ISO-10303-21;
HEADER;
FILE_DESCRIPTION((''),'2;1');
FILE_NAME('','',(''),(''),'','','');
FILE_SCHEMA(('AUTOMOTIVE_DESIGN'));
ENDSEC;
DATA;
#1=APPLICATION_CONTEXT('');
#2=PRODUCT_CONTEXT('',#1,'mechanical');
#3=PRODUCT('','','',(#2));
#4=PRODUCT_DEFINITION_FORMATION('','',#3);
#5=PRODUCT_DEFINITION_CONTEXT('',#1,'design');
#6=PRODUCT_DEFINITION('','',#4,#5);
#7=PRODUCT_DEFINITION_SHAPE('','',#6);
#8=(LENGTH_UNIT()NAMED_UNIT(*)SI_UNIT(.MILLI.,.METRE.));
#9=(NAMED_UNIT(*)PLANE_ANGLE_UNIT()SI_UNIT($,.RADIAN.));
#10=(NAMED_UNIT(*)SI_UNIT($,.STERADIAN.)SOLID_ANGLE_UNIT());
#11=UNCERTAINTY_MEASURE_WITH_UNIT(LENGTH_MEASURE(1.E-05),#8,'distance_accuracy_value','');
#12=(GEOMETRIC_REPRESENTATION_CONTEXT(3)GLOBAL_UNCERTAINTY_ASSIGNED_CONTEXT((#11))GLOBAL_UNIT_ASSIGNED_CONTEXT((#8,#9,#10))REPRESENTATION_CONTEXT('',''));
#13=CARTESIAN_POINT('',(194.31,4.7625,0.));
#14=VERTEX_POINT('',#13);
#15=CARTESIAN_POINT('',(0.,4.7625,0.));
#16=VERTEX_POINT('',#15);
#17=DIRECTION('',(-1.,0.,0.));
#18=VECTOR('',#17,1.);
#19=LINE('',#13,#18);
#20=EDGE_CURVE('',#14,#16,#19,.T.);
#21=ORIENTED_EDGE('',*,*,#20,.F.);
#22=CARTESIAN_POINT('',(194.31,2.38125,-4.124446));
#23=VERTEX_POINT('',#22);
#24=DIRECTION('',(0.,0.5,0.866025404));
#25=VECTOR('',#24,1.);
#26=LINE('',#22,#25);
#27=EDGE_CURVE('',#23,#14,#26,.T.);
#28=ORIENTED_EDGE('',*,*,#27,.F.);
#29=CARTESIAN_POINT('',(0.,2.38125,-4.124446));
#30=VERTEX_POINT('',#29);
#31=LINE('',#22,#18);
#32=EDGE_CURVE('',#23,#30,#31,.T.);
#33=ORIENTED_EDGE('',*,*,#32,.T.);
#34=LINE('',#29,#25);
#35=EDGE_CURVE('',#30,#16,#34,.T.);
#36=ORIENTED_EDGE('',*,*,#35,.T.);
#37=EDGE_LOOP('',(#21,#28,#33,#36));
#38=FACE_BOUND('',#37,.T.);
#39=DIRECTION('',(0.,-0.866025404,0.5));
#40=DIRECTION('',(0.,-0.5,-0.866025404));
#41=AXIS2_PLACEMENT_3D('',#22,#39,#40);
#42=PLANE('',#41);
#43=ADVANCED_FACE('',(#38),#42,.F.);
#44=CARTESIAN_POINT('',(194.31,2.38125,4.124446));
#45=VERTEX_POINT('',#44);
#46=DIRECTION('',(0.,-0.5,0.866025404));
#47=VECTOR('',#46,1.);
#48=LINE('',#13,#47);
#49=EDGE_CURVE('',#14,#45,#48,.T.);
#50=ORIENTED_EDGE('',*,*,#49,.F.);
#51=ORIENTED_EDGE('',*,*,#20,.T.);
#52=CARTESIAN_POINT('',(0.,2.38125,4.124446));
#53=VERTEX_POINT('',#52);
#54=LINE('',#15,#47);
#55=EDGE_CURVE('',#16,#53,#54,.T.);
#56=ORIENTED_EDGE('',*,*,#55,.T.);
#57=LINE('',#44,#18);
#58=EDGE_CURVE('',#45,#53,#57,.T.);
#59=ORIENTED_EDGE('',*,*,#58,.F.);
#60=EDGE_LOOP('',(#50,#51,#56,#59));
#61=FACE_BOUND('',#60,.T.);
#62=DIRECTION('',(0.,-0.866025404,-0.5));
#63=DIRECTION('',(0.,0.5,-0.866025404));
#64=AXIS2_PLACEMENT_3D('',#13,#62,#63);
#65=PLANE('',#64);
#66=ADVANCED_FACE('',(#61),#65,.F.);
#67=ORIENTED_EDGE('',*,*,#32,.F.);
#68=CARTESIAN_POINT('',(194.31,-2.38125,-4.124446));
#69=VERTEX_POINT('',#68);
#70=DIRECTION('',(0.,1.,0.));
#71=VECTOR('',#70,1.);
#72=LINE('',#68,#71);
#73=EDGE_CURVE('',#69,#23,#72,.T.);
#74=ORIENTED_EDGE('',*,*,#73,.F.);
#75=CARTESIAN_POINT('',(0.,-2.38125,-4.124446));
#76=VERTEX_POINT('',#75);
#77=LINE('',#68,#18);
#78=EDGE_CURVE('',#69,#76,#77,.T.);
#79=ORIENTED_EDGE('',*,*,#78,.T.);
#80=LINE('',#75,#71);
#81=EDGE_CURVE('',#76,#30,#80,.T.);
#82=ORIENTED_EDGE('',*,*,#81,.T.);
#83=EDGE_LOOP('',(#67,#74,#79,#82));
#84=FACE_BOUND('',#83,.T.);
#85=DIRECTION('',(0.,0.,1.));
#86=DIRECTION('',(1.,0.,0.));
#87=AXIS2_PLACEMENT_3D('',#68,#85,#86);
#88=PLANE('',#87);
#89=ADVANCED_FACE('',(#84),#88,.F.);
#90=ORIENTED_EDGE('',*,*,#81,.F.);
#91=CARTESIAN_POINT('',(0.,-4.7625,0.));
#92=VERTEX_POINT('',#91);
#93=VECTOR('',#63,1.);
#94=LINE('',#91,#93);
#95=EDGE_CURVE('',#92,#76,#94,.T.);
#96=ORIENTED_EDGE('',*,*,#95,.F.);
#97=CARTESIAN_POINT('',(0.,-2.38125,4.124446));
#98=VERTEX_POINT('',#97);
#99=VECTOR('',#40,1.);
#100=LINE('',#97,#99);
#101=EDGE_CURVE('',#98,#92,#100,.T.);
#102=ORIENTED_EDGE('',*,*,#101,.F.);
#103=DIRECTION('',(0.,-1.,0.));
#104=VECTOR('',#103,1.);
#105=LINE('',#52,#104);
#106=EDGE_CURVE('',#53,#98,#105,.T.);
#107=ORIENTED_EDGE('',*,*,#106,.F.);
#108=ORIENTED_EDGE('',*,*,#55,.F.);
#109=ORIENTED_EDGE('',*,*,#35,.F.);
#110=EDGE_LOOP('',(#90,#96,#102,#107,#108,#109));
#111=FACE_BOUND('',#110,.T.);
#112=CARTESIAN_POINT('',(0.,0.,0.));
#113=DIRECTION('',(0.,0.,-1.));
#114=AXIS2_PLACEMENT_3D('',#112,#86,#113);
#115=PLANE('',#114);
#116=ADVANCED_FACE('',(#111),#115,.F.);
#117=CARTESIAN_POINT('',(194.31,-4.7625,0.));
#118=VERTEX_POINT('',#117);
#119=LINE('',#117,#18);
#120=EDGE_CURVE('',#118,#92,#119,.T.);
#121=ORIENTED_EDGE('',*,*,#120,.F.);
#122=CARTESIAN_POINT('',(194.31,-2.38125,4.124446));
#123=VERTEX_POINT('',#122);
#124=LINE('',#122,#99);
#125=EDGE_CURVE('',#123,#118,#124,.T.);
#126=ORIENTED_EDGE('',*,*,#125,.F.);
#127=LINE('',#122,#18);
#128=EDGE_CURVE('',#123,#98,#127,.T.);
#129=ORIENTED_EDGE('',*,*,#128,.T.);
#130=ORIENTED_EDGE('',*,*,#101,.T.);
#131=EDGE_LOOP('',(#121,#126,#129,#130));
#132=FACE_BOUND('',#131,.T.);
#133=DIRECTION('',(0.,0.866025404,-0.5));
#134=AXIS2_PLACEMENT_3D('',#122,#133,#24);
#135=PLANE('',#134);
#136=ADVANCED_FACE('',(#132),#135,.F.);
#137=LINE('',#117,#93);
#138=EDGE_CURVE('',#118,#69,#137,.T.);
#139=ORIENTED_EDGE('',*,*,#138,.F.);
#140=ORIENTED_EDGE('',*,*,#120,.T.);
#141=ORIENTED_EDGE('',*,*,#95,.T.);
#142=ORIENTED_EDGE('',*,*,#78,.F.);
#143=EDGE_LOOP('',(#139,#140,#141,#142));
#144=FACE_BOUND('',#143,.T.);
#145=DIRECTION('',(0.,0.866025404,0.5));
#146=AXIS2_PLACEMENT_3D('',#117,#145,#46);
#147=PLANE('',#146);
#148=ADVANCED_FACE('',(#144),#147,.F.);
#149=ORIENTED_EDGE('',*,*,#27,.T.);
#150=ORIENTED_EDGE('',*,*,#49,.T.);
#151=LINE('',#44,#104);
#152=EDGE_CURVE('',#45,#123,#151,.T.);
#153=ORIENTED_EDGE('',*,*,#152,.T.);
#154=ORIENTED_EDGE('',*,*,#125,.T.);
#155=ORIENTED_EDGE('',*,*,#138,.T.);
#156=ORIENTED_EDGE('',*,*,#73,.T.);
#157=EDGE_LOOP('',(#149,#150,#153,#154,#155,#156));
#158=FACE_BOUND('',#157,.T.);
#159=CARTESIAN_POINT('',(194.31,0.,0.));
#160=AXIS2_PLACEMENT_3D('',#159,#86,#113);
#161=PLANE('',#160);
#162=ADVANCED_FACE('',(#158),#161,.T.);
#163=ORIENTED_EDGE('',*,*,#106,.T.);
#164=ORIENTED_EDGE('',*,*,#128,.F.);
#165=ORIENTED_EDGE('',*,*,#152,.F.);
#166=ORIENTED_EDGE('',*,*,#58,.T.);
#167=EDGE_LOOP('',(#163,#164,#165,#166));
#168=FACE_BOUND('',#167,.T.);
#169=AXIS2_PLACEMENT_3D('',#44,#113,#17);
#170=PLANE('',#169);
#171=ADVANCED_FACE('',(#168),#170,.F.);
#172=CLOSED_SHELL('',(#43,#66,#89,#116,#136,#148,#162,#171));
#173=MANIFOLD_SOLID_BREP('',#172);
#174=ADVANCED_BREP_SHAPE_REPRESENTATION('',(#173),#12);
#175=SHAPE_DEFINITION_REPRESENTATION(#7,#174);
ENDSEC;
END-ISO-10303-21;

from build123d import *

# Parameters (mm, degrees)
AXLE_DEPTH = 194.31


with BuildPart() as part:
    # Hex Profile → Axle (new body)
    with BuildSketch(Plane(origin=(0, 0, 0), x_dir=(0, 0, -1), z_dir=(1, 0, 0))):
        Polygon((4.124445986, -2.38125), (4.124445986, 2.38125), (0, 4.7625), (-4.124445986, 2.38125), (-4.124445986, -2.38125), (0, -4.7625), align=None)
    extrude(amount=AXLE_DEPTH)


solid = part.part
